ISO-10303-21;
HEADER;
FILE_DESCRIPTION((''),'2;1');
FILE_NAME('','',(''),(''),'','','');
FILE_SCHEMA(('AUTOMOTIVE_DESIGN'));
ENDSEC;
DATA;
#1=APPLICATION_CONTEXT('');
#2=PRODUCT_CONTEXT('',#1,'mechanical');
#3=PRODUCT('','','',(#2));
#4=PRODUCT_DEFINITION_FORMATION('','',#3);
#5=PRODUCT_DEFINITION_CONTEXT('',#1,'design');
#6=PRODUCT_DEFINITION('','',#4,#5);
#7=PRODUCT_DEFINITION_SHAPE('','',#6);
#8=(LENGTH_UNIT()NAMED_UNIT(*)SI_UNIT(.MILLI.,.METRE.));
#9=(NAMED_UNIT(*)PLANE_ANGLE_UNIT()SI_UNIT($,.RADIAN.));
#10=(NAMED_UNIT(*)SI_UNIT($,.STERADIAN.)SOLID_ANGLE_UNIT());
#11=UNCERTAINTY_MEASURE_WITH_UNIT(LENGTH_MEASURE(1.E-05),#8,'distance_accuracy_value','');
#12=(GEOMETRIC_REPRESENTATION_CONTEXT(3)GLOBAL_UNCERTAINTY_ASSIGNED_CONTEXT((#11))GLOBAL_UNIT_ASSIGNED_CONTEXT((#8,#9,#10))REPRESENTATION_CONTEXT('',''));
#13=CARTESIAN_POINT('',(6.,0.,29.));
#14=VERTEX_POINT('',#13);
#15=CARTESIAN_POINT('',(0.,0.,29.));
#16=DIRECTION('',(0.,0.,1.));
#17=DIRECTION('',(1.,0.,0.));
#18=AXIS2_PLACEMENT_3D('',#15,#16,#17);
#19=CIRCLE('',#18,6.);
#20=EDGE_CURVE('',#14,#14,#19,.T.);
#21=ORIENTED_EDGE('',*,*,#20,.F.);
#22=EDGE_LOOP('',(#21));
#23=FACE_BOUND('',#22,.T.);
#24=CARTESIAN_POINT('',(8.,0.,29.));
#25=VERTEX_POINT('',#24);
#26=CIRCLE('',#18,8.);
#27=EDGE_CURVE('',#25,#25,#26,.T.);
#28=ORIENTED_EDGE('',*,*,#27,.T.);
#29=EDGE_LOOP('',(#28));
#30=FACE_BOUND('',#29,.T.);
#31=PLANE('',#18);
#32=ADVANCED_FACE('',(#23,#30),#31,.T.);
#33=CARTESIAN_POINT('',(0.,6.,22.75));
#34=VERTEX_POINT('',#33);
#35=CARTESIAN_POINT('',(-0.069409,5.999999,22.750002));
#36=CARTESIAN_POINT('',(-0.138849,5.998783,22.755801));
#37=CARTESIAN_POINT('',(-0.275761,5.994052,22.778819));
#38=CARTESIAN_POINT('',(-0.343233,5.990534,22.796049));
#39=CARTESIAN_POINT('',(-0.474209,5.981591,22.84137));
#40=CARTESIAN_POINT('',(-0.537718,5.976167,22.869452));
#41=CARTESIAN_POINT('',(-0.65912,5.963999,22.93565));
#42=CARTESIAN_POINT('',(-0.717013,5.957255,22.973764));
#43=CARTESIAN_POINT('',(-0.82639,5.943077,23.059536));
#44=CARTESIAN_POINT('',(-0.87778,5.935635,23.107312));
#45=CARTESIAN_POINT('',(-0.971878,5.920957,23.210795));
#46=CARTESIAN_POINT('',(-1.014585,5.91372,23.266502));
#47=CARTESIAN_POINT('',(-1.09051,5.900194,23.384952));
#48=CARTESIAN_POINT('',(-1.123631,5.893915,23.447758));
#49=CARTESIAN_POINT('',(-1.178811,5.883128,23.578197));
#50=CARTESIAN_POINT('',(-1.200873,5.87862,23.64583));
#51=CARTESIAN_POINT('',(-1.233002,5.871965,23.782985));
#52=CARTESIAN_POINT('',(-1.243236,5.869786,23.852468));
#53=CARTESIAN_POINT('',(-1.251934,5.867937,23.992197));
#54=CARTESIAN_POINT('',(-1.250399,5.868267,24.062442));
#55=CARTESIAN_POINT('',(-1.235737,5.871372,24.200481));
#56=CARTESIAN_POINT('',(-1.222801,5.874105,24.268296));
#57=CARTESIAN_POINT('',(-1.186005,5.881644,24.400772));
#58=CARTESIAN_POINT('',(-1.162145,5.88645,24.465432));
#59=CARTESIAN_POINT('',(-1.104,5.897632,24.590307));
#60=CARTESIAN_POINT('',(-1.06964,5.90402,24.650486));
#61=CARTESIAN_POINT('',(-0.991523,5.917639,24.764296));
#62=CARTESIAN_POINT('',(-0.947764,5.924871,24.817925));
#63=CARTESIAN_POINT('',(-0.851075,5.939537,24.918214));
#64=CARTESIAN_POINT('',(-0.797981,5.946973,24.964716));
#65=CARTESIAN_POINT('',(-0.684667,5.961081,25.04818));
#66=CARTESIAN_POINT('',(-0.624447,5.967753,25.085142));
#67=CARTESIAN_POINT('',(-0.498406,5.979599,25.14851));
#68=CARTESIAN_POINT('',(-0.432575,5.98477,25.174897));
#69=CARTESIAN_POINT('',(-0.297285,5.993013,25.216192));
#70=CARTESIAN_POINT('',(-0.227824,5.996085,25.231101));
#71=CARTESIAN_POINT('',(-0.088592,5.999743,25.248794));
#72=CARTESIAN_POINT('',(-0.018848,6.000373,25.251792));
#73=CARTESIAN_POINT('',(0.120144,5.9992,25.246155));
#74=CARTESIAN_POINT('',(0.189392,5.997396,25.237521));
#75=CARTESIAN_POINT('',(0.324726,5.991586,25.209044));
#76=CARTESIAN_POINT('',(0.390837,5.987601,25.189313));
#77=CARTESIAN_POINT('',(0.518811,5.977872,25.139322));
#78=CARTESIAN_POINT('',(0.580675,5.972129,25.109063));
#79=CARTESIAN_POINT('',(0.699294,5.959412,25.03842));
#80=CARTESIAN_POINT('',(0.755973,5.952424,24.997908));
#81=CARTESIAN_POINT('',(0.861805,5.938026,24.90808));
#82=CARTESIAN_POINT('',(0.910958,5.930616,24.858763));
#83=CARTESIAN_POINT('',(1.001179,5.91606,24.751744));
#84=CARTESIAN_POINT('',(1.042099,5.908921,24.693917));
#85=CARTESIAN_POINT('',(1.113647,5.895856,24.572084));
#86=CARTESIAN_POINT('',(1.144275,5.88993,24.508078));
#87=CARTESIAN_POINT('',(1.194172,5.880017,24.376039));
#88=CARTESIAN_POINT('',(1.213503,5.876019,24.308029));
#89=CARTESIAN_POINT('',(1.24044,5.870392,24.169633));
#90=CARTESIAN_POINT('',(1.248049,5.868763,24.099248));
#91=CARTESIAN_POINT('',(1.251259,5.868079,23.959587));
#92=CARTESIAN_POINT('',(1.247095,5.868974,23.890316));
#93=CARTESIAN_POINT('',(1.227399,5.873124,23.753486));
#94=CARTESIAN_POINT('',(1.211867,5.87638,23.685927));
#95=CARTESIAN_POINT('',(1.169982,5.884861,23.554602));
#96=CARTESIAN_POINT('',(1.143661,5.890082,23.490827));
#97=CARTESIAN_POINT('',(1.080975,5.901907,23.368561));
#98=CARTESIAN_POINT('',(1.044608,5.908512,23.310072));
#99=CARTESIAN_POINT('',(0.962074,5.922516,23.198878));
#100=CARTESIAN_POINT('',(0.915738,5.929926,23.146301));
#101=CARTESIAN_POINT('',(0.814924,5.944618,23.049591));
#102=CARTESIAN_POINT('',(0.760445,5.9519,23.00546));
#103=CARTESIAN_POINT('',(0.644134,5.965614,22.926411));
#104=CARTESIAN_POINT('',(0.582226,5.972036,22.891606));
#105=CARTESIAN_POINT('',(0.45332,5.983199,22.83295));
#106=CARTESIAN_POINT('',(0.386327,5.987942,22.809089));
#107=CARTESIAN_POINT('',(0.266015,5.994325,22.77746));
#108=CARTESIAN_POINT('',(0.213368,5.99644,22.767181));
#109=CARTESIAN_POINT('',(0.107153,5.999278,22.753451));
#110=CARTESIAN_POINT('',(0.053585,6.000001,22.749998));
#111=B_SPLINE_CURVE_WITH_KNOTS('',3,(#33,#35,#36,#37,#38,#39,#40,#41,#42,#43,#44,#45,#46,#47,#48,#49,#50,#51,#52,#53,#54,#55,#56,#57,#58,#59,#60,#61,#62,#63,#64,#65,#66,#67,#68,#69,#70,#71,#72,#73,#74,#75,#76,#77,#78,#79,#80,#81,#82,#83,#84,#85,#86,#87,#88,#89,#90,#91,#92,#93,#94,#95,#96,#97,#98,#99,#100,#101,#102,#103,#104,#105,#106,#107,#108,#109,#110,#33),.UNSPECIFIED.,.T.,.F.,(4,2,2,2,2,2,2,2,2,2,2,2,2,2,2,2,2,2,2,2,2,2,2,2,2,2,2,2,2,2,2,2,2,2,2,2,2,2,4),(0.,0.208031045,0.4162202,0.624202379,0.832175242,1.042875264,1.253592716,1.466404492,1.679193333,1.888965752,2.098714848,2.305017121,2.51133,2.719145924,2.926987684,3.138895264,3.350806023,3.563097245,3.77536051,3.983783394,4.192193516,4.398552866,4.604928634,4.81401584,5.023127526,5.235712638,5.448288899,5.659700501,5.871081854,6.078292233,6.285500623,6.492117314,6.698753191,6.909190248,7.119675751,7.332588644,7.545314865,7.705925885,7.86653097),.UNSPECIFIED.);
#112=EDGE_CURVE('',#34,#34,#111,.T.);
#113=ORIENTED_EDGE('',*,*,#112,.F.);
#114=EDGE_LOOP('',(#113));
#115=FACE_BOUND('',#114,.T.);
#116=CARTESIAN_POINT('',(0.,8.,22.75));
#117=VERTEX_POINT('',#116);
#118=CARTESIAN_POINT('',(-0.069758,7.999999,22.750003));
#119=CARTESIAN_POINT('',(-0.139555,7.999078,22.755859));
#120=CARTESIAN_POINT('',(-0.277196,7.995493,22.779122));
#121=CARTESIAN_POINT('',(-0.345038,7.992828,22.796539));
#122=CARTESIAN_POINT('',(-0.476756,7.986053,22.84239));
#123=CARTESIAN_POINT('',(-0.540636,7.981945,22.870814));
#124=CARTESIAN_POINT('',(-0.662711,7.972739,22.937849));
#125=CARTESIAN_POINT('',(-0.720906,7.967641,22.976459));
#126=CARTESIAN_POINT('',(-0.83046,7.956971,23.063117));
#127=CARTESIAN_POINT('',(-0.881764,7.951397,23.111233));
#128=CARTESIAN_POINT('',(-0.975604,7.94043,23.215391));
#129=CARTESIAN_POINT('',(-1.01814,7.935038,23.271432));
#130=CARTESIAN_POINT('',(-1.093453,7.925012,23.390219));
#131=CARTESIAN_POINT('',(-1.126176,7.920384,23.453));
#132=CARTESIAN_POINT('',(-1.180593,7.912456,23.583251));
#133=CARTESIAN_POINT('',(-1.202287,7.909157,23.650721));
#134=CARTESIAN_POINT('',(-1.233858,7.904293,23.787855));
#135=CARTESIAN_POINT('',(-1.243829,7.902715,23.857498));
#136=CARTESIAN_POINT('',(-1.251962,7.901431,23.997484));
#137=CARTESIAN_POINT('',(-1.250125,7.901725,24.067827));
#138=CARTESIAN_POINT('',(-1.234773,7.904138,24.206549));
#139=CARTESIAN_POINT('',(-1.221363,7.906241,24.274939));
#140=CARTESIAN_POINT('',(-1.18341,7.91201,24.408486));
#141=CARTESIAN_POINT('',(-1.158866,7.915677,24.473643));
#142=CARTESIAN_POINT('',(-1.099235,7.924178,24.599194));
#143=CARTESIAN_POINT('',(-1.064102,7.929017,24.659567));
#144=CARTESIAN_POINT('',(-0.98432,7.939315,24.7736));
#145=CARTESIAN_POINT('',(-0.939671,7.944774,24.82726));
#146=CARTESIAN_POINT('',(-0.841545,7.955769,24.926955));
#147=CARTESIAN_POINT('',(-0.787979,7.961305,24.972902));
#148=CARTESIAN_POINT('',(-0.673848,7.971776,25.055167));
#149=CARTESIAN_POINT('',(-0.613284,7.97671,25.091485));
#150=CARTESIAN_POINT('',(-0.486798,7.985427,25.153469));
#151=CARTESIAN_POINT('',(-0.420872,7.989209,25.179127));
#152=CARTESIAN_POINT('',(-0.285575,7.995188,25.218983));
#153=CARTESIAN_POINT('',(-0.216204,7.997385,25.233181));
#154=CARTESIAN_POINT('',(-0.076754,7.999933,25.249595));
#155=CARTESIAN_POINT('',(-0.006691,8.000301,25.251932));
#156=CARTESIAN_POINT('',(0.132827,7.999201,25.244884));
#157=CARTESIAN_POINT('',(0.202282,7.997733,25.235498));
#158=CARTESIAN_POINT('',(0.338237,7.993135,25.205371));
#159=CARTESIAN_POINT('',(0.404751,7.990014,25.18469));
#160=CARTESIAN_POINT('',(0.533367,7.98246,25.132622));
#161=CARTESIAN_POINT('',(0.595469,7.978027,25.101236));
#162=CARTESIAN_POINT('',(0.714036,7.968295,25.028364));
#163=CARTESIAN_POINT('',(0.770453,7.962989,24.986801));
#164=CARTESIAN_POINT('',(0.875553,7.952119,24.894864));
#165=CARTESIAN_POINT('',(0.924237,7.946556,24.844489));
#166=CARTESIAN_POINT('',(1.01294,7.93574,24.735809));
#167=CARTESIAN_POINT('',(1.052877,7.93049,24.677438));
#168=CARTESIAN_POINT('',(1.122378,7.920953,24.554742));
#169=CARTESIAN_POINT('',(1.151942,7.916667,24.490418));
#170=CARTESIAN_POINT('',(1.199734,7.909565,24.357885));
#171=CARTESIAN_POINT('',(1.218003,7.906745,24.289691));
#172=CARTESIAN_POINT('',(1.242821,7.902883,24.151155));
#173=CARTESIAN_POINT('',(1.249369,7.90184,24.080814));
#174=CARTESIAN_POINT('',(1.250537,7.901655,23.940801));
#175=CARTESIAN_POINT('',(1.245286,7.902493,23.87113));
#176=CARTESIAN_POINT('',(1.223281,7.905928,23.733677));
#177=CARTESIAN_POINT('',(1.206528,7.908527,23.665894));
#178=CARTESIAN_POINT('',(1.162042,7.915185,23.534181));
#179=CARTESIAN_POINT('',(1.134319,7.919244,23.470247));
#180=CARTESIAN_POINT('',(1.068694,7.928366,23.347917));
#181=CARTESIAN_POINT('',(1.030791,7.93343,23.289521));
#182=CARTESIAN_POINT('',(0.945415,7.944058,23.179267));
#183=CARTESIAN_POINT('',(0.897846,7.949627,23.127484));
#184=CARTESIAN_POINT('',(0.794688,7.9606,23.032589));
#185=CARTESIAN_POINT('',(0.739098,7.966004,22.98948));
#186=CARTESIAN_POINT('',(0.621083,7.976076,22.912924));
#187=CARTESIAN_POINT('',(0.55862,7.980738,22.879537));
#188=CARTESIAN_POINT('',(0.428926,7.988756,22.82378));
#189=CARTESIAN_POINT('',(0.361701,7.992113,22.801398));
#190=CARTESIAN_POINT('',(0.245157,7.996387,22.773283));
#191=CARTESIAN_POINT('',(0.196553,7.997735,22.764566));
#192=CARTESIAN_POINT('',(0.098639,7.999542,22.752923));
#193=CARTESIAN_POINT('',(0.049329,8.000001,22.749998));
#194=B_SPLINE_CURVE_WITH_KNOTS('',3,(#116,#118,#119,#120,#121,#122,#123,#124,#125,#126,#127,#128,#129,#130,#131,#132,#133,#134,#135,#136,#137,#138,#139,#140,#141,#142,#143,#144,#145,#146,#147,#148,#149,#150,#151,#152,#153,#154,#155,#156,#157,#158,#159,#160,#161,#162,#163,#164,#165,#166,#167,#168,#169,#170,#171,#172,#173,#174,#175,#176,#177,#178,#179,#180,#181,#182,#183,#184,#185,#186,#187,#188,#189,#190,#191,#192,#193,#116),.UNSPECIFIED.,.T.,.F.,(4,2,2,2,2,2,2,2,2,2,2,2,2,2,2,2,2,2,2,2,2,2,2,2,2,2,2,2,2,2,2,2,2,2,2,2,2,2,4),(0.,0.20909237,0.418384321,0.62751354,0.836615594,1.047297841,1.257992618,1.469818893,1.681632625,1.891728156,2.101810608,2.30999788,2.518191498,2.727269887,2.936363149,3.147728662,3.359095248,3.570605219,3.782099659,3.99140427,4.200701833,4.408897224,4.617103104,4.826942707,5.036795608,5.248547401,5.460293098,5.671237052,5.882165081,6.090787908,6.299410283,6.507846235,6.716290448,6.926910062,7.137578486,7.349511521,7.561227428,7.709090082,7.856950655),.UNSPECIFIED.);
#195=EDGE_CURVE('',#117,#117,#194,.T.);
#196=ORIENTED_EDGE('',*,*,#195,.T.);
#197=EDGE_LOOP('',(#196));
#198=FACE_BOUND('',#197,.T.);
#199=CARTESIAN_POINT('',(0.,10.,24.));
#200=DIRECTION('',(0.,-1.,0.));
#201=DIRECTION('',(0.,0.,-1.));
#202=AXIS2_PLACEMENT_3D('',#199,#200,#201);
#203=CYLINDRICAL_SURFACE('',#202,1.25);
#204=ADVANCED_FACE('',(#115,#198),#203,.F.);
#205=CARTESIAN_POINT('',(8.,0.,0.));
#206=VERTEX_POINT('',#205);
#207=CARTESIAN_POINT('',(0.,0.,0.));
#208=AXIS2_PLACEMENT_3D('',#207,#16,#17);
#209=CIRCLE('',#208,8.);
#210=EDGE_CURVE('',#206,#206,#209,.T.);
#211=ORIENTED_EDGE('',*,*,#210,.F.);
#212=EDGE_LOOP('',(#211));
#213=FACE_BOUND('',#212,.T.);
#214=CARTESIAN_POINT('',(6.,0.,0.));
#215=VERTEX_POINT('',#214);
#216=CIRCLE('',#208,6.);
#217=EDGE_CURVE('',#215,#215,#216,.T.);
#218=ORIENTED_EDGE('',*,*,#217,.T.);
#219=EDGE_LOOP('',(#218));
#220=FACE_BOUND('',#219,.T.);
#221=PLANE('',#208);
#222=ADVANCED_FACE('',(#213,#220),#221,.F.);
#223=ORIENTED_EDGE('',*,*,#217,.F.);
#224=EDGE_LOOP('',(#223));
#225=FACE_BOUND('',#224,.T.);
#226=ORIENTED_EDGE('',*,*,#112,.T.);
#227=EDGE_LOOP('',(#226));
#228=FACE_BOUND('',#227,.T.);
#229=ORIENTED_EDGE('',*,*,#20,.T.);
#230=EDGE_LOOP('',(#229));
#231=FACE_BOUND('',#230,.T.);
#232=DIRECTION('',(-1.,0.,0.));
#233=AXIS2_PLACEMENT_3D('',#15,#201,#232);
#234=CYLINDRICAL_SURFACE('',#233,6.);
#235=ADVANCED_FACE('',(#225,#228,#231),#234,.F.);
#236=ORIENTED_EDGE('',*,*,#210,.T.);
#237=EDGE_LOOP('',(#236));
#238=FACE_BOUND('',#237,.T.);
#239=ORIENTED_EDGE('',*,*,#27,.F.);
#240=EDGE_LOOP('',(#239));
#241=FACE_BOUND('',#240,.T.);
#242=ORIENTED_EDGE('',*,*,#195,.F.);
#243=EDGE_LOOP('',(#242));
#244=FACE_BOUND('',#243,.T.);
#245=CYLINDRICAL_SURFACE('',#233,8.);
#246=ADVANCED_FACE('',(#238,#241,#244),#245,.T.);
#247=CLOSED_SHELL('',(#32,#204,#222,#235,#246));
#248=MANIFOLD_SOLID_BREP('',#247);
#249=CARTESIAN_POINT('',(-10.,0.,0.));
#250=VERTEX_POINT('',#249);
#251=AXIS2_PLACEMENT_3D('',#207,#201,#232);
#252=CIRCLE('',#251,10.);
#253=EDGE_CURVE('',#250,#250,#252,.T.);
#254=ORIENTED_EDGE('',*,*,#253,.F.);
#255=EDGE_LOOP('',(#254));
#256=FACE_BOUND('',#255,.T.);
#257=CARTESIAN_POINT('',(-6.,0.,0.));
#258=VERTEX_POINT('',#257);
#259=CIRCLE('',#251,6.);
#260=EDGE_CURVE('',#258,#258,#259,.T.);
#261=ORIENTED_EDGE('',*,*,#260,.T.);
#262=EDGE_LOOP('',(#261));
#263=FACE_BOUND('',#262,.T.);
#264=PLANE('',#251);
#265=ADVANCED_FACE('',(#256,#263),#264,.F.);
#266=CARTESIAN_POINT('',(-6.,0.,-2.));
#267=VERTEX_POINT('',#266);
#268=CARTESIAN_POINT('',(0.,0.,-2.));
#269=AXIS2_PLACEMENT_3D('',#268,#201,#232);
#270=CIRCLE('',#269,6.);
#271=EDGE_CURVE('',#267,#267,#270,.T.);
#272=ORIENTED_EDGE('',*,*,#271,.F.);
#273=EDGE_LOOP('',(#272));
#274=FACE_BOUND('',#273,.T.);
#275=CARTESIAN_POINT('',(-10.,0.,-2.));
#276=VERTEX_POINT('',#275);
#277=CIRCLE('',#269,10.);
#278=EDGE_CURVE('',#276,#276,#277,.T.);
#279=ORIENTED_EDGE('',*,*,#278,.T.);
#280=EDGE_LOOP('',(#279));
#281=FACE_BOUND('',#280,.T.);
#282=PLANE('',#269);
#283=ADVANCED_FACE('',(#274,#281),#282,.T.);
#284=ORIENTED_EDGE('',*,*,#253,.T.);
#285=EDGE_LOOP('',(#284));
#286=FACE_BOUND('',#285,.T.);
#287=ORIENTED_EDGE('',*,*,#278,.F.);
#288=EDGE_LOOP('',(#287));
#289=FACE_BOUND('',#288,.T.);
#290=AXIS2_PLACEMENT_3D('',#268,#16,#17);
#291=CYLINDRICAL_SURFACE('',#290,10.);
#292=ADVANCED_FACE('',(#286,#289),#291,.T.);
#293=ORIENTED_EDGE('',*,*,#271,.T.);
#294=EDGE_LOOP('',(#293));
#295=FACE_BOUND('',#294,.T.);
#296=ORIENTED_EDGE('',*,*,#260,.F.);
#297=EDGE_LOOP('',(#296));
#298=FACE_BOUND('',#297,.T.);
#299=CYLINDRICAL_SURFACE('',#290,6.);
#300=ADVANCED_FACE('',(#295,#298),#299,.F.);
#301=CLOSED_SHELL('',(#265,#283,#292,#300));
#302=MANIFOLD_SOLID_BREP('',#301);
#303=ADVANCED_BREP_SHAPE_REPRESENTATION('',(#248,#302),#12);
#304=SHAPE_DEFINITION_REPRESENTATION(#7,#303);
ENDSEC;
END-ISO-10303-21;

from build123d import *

# Parameters (mm, degrees)
SKETCH1_R           = 8
SKETCH1_R_2         = 6
BOSS_EXTRUDE1_DEPTH = 29
SKETCH2_R           = 10
SKETCH2_R_2         = 6
BOSS_EXTRUDE2_DEPTH = 2
SKETCH3_R           = 1.25
CUT_EXTRUDE1_DEPTH  = 11


with BuildPart() as part:
    # Sketch1 → Boss-Extrude1 (new body)
    with BuildSketch(Plane.XY):
        Circle(SKETCH1_R)
        Circle(SKETCH1_R_2, mode=Mode.SUBTRACT)
    extrude(amount=BOSS_EXTRUDE1_DEPTH)

    # Sketch3 → Cut-Extrude1 (cut, through all)
    with BuildSketch(Plane(origin=(0, 0, 0), x_dir=(1, 0, 0), z_dir=(0, 1, 0))):
        with Locations((0, -24)):
            Circle(SKETCH3_R)
    extrude(amount=CUT_EXTRUDE1_DEPTH, mode=Mode.SUBTRACT)


with BuildPart() as body_2:
    # Sketch2 → Boss-Extrude2 (new body)
    with BuildSketch(Plane(origin=(0, 0, 0), x_dir=(-1, 0, 0), z_dir=(0, 0, -1))):
        Circle(SKETCH2_R)
        Circle(SKETCH2_R_2, mode=Mode.SUBTRACT)
    extrude(amount=BOSS_EXTRUDE2_DEPTH)


solid = Compound([part.part, body_2.part])
